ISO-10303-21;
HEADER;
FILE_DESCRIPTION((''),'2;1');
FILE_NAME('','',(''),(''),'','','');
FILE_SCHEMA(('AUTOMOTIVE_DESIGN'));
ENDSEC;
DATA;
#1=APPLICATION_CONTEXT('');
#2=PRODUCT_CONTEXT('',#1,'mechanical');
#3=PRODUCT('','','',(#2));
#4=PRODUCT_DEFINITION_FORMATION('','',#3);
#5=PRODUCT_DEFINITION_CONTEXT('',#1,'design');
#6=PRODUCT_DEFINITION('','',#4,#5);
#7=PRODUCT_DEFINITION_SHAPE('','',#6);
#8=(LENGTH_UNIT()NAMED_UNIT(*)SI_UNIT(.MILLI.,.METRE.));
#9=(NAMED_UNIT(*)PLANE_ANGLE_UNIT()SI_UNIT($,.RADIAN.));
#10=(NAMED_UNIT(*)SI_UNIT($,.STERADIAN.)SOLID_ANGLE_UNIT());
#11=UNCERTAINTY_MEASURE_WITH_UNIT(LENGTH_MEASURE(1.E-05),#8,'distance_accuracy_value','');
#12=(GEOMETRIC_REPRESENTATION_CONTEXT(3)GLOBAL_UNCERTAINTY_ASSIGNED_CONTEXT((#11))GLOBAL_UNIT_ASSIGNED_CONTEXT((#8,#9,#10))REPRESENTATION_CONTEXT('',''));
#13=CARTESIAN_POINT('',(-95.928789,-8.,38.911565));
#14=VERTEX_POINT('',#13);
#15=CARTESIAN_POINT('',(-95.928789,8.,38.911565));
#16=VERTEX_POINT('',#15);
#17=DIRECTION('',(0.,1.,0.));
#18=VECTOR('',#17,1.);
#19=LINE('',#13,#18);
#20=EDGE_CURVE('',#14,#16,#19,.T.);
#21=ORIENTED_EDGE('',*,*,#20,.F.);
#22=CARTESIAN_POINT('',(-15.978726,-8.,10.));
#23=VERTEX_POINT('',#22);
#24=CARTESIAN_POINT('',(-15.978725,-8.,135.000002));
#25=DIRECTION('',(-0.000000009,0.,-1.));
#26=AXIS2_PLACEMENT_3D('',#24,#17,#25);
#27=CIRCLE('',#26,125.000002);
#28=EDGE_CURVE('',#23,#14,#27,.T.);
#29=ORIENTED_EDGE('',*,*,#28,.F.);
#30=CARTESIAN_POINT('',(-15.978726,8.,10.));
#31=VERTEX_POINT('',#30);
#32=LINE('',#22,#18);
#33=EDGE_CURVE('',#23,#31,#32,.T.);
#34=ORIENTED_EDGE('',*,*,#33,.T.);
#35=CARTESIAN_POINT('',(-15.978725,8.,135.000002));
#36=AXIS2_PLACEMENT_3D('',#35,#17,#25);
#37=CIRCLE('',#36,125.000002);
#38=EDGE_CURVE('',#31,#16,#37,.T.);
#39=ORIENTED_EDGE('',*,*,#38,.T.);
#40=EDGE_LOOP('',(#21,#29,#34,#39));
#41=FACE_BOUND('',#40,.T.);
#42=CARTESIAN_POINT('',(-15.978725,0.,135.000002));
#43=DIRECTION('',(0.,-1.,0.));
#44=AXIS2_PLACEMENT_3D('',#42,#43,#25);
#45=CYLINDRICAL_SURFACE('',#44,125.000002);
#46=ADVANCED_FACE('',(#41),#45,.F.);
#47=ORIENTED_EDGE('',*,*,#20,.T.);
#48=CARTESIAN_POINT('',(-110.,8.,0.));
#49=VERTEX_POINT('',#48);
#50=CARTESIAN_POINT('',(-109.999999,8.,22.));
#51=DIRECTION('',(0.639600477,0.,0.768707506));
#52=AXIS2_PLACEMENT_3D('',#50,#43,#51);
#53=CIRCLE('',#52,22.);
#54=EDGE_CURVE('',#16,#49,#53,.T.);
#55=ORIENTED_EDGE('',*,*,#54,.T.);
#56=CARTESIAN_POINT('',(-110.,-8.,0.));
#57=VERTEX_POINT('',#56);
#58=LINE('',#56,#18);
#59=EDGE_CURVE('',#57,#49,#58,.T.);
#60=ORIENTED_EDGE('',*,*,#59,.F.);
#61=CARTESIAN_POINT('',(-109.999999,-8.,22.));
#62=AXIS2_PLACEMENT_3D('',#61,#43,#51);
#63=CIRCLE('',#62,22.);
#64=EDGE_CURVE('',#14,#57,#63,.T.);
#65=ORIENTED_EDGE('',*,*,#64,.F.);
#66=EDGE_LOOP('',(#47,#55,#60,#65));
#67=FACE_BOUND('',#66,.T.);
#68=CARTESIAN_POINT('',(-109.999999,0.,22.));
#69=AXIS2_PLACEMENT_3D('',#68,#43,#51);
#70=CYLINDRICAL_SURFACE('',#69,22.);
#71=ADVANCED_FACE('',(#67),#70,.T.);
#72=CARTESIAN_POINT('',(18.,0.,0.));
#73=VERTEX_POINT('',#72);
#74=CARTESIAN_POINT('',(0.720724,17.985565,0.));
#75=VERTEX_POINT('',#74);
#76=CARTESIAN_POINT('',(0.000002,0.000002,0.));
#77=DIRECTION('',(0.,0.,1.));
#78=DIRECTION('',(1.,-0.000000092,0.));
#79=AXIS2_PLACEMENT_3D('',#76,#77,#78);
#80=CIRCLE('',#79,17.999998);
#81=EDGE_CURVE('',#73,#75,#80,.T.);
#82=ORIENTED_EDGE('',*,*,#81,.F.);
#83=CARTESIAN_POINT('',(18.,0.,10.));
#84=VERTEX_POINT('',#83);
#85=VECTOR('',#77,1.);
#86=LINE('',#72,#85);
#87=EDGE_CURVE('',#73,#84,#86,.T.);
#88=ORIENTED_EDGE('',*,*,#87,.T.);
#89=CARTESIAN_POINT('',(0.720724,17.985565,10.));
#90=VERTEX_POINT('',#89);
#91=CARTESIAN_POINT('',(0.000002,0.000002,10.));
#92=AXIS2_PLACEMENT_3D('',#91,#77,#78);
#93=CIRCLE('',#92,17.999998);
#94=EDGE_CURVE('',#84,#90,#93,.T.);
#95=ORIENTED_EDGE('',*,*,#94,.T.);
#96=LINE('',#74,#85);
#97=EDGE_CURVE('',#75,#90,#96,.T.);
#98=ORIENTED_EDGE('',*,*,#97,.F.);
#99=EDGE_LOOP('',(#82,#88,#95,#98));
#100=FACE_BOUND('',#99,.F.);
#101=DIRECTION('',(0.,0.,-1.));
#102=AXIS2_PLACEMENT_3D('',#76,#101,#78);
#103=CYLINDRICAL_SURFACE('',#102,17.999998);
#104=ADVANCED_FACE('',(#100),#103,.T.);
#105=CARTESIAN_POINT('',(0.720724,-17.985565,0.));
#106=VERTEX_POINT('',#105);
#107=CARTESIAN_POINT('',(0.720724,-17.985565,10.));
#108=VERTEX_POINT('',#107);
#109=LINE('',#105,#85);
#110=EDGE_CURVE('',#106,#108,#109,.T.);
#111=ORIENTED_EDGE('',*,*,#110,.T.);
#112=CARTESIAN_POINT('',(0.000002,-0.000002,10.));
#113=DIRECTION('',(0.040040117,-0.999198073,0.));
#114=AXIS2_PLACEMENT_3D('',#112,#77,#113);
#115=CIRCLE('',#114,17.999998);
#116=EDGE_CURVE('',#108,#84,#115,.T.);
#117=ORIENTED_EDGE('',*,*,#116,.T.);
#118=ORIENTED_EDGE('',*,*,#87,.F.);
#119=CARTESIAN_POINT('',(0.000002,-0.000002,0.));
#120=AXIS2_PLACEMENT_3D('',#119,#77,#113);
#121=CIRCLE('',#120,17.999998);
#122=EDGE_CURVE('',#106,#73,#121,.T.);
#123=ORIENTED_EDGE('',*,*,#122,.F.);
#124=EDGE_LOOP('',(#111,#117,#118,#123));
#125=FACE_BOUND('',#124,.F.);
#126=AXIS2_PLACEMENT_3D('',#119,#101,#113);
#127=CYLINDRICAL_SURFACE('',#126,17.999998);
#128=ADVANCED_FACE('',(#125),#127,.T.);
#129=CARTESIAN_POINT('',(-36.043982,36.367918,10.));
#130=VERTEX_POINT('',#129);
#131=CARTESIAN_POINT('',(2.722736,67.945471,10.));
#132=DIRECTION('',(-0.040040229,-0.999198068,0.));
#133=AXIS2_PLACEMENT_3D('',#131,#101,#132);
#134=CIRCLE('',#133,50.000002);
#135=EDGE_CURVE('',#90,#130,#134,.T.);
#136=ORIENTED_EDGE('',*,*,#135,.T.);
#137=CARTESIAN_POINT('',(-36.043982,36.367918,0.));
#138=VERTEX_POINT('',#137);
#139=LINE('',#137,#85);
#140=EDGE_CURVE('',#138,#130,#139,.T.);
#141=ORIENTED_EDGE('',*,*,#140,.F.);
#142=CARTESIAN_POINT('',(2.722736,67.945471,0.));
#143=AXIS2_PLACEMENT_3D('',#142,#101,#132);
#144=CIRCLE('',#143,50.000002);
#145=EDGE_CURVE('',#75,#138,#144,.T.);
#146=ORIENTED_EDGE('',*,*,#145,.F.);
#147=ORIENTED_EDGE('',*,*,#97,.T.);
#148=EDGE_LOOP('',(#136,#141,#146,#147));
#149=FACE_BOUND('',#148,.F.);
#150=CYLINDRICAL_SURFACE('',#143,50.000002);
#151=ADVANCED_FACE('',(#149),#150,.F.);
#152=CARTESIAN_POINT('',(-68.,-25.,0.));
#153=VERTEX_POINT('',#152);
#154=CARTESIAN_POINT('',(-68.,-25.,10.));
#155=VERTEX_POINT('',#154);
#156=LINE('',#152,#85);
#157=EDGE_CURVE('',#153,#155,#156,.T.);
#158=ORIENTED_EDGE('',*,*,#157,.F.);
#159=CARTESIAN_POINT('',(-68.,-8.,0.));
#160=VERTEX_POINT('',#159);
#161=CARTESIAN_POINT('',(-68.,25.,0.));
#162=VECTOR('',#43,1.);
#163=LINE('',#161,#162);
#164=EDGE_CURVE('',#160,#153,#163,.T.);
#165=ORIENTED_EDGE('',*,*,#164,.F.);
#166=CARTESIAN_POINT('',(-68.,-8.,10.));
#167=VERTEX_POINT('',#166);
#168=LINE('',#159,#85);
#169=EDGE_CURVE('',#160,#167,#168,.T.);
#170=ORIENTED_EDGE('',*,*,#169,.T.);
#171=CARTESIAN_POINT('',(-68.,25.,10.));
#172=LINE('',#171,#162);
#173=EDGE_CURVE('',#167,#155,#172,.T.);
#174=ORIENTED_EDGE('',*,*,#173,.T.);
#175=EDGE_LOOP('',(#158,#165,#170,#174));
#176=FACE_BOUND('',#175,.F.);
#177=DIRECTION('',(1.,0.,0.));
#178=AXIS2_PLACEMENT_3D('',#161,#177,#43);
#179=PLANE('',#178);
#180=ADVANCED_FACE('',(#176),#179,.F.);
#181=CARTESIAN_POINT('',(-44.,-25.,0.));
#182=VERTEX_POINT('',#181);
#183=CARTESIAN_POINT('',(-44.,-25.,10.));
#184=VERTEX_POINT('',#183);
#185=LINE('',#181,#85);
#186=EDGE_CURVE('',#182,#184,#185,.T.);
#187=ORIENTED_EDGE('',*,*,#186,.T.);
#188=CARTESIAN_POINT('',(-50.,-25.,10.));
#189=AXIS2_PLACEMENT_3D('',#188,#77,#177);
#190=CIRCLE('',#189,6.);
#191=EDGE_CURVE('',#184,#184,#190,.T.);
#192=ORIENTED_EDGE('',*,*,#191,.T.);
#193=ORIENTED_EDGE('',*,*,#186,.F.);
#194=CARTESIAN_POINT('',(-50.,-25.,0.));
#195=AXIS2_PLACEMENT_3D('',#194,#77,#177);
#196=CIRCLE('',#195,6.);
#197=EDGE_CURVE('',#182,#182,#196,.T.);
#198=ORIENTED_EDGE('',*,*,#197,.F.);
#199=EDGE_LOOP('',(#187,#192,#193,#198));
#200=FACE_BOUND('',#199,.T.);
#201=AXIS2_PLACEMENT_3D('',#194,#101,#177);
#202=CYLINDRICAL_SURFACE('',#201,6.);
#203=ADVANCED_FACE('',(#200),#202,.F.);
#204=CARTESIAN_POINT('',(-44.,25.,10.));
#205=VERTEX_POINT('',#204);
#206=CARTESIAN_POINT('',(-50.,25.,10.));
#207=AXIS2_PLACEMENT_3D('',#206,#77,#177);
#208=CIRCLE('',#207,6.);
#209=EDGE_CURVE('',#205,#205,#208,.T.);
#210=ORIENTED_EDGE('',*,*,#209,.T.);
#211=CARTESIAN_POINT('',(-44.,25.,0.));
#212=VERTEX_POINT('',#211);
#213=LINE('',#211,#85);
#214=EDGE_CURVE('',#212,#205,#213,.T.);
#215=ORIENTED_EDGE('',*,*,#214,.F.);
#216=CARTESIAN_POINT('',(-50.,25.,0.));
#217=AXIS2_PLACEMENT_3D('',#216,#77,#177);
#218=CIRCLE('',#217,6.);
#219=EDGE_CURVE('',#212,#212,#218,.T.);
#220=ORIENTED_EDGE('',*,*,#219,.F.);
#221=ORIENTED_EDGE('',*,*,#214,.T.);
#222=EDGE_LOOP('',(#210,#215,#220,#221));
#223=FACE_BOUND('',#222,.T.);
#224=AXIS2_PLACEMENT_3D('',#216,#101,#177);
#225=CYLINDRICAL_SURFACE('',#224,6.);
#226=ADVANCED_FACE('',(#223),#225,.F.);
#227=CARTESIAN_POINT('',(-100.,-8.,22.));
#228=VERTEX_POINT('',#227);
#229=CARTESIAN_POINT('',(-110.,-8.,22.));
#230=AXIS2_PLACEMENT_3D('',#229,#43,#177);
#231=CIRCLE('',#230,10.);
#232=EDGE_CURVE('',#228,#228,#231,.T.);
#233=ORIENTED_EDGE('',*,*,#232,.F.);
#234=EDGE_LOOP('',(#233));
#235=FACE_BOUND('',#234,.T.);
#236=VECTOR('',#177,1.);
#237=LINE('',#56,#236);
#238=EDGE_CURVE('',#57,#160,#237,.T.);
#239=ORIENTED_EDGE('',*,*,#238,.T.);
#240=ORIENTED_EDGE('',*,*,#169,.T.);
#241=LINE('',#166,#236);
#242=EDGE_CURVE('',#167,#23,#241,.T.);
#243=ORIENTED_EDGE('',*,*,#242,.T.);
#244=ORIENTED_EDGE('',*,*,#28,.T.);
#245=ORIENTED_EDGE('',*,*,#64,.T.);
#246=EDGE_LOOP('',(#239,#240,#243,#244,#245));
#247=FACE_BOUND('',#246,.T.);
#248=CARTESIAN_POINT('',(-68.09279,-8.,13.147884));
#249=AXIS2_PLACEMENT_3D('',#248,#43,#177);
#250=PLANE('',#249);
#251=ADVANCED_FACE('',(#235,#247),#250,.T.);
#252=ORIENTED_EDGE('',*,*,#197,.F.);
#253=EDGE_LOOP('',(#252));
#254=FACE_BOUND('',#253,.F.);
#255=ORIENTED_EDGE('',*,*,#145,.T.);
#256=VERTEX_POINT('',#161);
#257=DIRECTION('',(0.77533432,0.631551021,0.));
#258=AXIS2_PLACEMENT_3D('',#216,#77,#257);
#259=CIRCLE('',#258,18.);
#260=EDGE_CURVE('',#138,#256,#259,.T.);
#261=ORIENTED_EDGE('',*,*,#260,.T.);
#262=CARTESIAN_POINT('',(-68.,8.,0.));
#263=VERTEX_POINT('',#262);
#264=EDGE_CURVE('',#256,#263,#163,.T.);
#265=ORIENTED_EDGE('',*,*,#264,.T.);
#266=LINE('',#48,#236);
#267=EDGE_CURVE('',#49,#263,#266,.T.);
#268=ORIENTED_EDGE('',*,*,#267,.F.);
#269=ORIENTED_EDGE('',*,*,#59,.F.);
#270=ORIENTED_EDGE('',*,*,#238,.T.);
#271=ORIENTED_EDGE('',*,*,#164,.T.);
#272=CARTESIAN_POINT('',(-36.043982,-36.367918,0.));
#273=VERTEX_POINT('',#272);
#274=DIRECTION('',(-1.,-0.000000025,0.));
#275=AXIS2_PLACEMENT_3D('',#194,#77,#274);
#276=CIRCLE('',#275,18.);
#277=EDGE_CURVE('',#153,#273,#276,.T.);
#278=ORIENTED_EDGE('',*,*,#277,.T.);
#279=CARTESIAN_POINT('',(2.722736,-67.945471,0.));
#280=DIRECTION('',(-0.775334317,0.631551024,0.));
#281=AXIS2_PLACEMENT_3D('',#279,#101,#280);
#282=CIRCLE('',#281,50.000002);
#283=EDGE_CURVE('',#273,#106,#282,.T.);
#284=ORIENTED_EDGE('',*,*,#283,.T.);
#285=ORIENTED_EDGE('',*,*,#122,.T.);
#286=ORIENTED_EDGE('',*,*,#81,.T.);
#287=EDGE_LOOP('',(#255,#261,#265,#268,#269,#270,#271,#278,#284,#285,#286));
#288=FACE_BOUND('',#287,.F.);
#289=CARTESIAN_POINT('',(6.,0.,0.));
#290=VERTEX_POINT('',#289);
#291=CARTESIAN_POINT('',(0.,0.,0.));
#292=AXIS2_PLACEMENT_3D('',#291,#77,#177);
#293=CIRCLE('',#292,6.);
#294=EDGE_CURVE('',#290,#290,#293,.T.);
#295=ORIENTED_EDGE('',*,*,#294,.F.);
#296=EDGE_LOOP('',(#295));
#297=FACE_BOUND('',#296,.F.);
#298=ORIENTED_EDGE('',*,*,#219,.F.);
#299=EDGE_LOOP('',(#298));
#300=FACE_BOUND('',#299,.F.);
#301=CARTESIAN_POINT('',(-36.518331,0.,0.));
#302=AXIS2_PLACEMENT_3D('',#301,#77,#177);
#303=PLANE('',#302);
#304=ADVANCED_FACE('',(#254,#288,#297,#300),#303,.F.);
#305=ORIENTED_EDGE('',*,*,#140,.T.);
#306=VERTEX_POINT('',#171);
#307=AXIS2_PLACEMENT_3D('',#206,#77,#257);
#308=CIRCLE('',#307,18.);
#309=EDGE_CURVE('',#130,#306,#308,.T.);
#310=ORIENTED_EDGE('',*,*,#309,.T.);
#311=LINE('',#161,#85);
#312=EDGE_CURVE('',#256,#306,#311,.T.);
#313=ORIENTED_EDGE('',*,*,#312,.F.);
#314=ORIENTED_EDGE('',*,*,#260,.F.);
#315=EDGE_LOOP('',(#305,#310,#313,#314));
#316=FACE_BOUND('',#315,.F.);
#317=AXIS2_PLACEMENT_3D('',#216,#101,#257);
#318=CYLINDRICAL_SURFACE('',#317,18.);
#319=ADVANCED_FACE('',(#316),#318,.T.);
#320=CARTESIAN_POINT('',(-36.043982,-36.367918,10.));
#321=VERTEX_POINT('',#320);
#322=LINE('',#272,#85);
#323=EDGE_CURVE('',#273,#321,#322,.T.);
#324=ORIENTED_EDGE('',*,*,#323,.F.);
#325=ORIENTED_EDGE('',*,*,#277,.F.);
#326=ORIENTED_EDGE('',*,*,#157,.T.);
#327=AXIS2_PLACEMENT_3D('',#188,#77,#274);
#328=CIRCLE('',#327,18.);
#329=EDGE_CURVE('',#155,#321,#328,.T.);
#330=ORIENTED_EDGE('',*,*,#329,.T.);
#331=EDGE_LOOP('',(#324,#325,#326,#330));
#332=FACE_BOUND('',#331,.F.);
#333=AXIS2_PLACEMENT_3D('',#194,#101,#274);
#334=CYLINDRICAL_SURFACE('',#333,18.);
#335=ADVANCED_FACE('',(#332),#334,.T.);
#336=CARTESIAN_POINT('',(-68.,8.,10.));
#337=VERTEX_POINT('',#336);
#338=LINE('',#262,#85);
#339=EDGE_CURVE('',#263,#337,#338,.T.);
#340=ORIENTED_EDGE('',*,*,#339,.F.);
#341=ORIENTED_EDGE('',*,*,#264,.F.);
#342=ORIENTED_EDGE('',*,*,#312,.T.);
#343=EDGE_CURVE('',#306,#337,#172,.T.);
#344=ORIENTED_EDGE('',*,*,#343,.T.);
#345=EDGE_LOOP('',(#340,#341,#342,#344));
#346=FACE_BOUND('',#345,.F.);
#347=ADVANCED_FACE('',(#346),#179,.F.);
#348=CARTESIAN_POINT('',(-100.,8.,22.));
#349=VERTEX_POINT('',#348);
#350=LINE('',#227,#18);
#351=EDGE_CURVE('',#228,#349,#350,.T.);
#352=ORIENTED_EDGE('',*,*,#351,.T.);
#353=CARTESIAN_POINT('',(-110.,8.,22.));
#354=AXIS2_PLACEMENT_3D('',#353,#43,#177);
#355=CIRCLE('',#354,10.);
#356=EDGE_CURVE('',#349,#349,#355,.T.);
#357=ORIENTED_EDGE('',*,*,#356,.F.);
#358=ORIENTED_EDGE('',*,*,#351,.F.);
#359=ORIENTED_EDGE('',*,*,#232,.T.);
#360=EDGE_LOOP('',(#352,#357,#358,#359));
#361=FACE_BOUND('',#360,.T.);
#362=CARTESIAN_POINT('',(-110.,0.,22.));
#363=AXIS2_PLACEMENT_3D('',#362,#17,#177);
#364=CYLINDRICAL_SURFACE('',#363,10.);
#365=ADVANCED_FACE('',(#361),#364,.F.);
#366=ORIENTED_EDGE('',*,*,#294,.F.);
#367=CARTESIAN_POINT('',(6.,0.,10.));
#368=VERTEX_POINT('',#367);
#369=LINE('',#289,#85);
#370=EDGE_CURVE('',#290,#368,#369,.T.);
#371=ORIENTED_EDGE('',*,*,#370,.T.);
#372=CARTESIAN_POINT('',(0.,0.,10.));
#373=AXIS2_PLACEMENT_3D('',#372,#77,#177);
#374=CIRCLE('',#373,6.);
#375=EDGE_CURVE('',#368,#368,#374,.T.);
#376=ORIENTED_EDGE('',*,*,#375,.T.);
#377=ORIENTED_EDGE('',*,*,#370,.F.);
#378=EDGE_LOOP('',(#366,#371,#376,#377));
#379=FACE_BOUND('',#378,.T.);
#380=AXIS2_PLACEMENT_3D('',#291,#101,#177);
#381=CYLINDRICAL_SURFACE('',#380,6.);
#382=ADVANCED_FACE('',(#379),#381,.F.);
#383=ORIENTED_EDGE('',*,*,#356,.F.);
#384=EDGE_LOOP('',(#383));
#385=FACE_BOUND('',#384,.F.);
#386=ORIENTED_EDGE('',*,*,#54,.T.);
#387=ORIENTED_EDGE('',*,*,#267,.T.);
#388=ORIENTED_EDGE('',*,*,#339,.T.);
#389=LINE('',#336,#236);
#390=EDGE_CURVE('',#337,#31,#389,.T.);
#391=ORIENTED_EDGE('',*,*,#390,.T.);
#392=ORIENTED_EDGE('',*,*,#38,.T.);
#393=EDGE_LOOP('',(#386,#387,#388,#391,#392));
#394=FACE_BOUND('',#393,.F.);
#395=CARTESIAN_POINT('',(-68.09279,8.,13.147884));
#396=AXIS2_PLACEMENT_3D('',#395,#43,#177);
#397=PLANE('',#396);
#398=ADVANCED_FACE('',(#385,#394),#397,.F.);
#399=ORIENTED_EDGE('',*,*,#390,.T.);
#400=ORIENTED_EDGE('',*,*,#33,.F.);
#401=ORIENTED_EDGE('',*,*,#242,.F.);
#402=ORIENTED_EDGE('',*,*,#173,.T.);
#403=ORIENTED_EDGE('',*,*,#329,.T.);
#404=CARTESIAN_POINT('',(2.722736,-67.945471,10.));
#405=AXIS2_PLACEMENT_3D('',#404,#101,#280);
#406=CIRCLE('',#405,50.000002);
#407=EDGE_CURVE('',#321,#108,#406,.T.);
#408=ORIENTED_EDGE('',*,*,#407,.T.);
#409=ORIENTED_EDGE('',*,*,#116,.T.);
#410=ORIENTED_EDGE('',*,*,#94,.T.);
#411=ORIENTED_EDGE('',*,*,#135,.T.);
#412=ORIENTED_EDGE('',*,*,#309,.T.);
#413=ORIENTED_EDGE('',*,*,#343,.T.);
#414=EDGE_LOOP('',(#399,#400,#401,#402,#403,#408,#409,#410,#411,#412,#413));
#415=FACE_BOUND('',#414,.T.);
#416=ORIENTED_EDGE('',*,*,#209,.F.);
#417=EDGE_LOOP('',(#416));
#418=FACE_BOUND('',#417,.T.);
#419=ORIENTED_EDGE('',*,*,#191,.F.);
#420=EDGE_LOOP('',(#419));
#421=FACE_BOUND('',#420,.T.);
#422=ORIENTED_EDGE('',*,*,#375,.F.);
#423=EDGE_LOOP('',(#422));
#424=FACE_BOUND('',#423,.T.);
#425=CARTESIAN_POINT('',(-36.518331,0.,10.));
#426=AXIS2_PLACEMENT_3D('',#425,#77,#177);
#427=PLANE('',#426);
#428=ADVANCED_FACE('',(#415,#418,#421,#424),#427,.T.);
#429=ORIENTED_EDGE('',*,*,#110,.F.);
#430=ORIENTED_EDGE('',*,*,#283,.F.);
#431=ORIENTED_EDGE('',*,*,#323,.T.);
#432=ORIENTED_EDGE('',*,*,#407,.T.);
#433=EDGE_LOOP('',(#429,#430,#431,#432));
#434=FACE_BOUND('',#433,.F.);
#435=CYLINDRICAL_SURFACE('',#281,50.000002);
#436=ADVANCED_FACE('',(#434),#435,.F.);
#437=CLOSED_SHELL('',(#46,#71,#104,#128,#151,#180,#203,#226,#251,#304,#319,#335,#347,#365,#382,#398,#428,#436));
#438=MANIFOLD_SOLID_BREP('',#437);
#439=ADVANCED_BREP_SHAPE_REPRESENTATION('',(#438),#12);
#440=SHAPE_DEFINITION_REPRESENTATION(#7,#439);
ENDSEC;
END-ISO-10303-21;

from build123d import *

# Parameters (mm, degrees)
F0_R     = 6
F1_DEPTH = 10
F2_R     = 10
F3_DEPTH = 8


with BuildPart() as f1:
    # F0 (on Top) → F1 (new body)
    with BuildSketch(Plane.XY):
        with BuildLine():
            ThreePointArc((0.720724, -17.985565), (-18, 0), (0.720724, 17.985565))
            ThreePointArc((0.720724, 17.985565), (-19.637945, 23.224109), (-36.043982, 36.367918))
            ThreePointArc((-36.043982, 36.367918), (-33.041104, 31.032896), (-32, 25))
            ThreePointArc((-32, 25), (-50, 7), (-68, 25))
            Line((-68, 25), (-68, -25))
            ThreePointArc((-68, -25), (-50, -7), (-32, -25))
            ThreePointArc((-32, -25), (-33.041104, -31.032896), (-36.043982, -36.367918))
            ThreePointArc((-36.043982, -36.367918), (-19.637945, -23.224109), (0.720724, -17.985565))
        make_face()
        with BuildLine():
            ThreePointArc((-32, 25), (-33.041104, 31.032896), (-36.043982, 36.367918))
            ThreePointArc((-36.043982, 36.367918), (-56.032896, 41.958896), (-68, 25))
            ThreePointArc((-68, 25), (-50, 7), (-32, 25))
        make_face()
        with Locations((-50, 25)):
            Circle(F0_R, mode=Mode.SUBTRACT)
        with BuildLine():
            ThreePointArc((0.720724, -17.985565), (12.980236, -12.470505), (18, 0))
            ThreePointArc((18, 0), (12.980236, 12.470505), (0.720724, 17.985565))
            ThreePointArc((0.720724, 17.985565), (-18, 0), (0.720724, -17.985565))
        make_face()
        Circle(F0_R, mode=Mode.SUBTRACT)
        with BuildLine():
            ThreePointArc((-68, -25), (-56.032896, -41.958896), (-36.043982, -36.367918))
            ThreePointArc((-36.043982, -36.367918), (-33.041104, -31.032896), (-32, -25))
            ThreePointArc((-32, -25), (-50, -7), (-68, -25))
        make_face()
        with Locations((-50, -25)):
            Circle(F0_R, mode=Mode.SUBTRACT)
    extrude(amount=F1_DEPTH)

    # F2 (on Front) → F3 (join, symmetric)
    with BuildSketch(Plane.XZ):
        with BuildLine():
            Line((-110, 0), (-68, 0))
            Line((-68, 0), (-68, 10))
            Line((-68, 10), (-36.043982, 10))
            Line((-36.043982, 10), (-15.978726, 10))
            ThreePointArc((-15.978726, 10), (-58.487228, 17.449895), (-95.928789, 38.911565))
            ThreePointArc((-95.928789, 38.911565), (-90.080579, 31.338987), (-88, 22))
            ThreePointArc((-88, 22), (-94.443651, 6.443651), (-110, 0))
        make_face()
        with BuildLine():
            ThreePointArc((-95.928789, 38.911565), (-130.688818, 29.481496), (-110, 0))
            ThreePointArc((-110, 0), (-94.443651, 6.443651), (-88, 22))
            ThreePointArc((-88, 22), (-90.080579, 31.338987), (-95.928789, 38.911565))
        make_face()
        with Locations((-110, 22)):
            Circle(F2_R, mode=Mode.SUBTRACT)
    extrude(amount=F3_DEPTH, both=True)


solid = f1.part
